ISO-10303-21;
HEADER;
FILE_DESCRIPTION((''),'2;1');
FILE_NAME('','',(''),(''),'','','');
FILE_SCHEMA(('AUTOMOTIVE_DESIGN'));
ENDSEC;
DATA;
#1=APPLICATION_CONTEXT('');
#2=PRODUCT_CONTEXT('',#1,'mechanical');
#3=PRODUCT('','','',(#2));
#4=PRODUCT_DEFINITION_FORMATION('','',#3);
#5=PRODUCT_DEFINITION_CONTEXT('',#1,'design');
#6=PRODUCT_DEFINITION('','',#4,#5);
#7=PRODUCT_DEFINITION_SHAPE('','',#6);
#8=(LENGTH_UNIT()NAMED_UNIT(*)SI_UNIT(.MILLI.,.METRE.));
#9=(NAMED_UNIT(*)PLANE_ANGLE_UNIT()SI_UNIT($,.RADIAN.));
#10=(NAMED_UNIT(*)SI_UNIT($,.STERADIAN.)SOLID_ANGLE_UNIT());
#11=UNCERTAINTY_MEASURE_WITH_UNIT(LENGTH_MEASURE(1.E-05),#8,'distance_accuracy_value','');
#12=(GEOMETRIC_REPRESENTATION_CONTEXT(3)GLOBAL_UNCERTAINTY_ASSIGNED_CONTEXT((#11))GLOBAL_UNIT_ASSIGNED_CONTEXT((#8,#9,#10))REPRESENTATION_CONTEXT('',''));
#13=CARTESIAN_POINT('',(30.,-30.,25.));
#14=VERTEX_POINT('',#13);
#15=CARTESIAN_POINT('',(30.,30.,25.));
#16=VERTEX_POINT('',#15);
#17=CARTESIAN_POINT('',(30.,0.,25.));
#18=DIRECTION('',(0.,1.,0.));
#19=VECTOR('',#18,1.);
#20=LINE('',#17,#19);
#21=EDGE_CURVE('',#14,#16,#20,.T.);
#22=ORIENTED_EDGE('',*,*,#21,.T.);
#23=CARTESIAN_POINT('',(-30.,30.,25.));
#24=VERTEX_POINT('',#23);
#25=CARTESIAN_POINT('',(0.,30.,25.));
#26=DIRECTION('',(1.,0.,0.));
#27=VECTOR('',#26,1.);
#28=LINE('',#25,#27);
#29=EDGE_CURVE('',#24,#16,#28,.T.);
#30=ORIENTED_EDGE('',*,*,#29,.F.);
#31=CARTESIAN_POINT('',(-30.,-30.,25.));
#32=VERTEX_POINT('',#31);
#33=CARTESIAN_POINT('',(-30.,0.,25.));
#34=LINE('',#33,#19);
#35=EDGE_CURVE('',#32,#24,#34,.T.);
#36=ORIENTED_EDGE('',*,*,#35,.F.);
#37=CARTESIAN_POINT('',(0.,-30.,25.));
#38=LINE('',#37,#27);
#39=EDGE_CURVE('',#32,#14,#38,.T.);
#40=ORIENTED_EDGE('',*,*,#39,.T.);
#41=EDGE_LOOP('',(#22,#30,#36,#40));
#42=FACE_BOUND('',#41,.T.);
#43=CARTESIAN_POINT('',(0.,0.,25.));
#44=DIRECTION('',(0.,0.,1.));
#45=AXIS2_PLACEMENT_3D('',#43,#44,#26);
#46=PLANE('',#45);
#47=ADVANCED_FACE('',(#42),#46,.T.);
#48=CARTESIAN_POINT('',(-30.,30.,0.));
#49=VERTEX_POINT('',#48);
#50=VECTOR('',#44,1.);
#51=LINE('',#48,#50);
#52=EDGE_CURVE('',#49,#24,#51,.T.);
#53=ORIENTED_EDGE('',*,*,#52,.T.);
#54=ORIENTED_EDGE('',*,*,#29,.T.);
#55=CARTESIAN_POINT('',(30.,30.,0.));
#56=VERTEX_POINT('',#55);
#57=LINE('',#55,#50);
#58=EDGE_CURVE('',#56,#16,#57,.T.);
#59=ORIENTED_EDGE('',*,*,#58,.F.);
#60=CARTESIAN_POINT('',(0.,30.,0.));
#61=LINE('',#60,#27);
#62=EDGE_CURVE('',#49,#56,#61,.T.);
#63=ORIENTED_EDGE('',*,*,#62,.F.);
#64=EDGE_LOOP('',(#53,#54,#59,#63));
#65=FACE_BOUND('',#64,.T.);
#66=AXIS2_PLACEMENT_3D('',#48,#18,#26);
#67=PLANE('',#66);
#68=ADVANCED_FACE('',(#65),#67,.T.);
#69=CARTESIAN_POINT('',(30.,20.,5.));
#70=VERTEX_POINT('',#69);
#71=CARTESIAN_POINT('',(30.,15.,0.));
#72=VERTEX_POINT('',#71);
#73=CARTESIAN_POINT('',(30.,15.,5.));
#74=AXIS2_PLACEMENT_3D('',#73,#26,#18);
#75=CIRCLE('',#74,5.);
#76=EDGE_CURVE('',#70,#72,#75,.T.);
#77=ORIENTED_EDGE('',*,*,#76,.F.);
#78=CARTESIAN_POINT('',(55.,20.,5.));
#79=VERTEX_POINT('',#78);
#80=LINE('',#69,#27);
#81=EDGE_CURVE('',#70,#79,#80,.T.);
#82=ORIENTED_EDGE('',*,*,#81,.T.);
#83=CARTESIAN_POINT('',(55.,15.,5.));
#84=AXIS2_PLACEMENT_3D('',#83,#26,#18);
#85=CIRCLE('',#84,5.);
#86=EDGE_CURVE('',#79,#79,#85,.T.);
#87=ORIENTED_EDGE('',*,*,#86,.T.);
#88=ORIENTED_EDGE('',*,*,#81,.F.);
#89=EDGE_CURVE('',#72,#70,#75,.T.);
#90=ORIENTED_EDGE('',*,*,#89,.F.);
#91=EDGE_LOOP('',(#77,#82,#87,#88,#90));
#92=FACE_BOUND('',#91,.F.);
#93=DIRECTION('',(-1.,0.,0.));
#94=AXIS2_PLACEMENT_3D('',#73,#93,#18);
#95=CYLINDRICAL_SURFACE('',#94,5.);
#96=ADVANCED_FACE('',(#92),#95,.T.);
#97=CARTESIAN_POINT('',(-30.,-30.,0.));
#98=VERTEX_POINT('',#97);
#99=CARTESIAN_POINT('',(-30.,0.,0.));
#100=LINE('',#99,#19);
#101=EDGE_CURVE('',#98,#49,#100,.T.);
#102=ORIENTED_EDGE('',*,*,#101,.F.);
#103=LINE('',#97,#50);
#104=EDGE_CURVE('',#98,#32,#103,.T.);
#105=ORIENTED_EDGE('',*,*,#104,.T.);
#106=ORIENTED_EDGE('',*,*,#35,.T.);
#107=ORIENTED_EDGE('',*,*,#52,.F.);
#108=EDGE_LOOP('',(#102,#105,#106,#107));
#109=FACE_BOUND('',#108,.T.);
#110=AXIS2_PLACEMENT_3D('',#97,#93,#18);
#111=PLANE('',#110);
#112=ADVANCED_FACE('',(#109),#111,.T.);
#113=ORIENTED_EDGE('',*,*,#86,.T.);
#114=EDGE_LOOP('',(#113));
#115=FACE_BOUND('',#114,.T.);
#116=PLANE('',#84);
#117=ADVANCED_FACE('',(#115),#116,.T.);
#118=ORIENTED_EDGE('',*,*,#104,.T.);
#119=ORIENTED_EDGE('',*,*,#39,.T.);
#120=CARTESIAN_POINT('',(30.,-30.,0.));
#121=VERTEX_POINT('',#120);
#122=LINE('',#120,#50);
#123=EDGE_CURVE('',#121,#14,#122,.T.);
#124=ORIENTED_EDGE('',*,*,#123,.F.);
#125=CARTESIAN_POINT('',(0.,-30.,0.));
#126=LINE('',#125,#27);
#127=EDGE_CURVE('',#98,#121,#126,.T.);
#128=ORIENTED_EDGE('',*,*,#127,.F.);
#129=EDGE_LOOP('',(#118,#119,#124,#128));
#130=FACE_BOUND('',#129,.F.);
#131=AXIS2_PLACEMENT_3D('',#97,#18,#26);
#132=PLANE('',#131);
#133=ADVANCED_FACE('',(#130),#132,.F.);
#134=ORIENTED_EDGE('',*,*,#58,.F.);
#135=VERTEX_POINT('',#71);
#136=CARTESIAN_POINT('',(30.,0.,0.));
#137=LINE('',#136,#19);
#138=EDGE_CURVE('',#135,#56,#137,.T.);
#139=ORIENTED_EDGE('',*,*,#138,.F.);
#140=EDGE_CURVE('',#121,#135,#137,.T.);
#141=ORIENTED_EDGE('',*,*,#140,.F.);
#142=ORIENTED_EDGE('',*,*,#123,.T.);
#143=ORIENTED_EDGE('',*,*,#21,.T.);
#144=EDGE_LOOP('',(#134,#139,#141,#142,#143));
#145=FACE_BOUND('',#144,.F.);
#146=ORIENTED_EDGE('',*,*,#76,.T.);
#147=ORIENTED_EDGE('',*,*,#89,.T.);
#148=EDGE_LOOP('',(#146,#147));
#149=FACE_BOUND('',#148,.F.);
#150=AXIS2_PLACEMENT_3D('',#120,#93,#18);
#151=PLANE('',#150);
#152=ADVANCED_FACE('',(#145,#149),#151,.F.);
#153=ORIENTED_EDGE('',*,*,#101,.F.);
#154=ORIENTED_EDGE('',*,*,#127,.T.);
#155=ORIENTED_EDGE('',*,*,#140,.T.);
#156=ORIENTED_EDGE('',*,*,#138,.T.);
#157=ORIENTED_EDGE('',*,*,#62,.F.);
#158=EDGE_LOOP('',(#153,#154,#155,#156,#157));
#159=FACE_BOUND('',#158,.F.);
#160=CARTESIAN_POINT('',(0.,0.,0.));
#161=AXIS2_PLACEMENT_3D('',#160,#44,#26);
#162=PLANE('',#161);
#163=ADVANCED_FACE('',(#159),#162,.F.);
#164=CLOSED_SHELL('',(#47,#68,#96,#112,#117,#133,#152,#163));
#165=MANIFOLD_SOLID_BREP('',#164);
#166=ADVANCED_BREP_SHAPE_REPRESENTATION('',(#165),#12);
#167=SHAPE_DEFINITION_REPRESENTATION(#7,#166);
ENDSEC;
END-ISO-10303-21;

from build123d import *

# Parameters (mm, degrees)
F0_W     = 60
F0_H     = 60
F1_DEPTH = 25
F2_R     = 5
F3_DEPTH = 25


with BuildPart() as f1:
    # F0 (on Top) → F1 (new body)
    with BuildSketch(Plane.XY):
        Rectangle(F0_W, F0_H)
    extrude(amount=F1_DEPTH)

    # F2 (on face) → F3 (join)
    with BuildSketch(Plane.YZ.offset(30)):
        with Locations((15, 5)):
            Circle(F2_R)
    extrude(amount=F3_DEPTH)


solid = f1.part
